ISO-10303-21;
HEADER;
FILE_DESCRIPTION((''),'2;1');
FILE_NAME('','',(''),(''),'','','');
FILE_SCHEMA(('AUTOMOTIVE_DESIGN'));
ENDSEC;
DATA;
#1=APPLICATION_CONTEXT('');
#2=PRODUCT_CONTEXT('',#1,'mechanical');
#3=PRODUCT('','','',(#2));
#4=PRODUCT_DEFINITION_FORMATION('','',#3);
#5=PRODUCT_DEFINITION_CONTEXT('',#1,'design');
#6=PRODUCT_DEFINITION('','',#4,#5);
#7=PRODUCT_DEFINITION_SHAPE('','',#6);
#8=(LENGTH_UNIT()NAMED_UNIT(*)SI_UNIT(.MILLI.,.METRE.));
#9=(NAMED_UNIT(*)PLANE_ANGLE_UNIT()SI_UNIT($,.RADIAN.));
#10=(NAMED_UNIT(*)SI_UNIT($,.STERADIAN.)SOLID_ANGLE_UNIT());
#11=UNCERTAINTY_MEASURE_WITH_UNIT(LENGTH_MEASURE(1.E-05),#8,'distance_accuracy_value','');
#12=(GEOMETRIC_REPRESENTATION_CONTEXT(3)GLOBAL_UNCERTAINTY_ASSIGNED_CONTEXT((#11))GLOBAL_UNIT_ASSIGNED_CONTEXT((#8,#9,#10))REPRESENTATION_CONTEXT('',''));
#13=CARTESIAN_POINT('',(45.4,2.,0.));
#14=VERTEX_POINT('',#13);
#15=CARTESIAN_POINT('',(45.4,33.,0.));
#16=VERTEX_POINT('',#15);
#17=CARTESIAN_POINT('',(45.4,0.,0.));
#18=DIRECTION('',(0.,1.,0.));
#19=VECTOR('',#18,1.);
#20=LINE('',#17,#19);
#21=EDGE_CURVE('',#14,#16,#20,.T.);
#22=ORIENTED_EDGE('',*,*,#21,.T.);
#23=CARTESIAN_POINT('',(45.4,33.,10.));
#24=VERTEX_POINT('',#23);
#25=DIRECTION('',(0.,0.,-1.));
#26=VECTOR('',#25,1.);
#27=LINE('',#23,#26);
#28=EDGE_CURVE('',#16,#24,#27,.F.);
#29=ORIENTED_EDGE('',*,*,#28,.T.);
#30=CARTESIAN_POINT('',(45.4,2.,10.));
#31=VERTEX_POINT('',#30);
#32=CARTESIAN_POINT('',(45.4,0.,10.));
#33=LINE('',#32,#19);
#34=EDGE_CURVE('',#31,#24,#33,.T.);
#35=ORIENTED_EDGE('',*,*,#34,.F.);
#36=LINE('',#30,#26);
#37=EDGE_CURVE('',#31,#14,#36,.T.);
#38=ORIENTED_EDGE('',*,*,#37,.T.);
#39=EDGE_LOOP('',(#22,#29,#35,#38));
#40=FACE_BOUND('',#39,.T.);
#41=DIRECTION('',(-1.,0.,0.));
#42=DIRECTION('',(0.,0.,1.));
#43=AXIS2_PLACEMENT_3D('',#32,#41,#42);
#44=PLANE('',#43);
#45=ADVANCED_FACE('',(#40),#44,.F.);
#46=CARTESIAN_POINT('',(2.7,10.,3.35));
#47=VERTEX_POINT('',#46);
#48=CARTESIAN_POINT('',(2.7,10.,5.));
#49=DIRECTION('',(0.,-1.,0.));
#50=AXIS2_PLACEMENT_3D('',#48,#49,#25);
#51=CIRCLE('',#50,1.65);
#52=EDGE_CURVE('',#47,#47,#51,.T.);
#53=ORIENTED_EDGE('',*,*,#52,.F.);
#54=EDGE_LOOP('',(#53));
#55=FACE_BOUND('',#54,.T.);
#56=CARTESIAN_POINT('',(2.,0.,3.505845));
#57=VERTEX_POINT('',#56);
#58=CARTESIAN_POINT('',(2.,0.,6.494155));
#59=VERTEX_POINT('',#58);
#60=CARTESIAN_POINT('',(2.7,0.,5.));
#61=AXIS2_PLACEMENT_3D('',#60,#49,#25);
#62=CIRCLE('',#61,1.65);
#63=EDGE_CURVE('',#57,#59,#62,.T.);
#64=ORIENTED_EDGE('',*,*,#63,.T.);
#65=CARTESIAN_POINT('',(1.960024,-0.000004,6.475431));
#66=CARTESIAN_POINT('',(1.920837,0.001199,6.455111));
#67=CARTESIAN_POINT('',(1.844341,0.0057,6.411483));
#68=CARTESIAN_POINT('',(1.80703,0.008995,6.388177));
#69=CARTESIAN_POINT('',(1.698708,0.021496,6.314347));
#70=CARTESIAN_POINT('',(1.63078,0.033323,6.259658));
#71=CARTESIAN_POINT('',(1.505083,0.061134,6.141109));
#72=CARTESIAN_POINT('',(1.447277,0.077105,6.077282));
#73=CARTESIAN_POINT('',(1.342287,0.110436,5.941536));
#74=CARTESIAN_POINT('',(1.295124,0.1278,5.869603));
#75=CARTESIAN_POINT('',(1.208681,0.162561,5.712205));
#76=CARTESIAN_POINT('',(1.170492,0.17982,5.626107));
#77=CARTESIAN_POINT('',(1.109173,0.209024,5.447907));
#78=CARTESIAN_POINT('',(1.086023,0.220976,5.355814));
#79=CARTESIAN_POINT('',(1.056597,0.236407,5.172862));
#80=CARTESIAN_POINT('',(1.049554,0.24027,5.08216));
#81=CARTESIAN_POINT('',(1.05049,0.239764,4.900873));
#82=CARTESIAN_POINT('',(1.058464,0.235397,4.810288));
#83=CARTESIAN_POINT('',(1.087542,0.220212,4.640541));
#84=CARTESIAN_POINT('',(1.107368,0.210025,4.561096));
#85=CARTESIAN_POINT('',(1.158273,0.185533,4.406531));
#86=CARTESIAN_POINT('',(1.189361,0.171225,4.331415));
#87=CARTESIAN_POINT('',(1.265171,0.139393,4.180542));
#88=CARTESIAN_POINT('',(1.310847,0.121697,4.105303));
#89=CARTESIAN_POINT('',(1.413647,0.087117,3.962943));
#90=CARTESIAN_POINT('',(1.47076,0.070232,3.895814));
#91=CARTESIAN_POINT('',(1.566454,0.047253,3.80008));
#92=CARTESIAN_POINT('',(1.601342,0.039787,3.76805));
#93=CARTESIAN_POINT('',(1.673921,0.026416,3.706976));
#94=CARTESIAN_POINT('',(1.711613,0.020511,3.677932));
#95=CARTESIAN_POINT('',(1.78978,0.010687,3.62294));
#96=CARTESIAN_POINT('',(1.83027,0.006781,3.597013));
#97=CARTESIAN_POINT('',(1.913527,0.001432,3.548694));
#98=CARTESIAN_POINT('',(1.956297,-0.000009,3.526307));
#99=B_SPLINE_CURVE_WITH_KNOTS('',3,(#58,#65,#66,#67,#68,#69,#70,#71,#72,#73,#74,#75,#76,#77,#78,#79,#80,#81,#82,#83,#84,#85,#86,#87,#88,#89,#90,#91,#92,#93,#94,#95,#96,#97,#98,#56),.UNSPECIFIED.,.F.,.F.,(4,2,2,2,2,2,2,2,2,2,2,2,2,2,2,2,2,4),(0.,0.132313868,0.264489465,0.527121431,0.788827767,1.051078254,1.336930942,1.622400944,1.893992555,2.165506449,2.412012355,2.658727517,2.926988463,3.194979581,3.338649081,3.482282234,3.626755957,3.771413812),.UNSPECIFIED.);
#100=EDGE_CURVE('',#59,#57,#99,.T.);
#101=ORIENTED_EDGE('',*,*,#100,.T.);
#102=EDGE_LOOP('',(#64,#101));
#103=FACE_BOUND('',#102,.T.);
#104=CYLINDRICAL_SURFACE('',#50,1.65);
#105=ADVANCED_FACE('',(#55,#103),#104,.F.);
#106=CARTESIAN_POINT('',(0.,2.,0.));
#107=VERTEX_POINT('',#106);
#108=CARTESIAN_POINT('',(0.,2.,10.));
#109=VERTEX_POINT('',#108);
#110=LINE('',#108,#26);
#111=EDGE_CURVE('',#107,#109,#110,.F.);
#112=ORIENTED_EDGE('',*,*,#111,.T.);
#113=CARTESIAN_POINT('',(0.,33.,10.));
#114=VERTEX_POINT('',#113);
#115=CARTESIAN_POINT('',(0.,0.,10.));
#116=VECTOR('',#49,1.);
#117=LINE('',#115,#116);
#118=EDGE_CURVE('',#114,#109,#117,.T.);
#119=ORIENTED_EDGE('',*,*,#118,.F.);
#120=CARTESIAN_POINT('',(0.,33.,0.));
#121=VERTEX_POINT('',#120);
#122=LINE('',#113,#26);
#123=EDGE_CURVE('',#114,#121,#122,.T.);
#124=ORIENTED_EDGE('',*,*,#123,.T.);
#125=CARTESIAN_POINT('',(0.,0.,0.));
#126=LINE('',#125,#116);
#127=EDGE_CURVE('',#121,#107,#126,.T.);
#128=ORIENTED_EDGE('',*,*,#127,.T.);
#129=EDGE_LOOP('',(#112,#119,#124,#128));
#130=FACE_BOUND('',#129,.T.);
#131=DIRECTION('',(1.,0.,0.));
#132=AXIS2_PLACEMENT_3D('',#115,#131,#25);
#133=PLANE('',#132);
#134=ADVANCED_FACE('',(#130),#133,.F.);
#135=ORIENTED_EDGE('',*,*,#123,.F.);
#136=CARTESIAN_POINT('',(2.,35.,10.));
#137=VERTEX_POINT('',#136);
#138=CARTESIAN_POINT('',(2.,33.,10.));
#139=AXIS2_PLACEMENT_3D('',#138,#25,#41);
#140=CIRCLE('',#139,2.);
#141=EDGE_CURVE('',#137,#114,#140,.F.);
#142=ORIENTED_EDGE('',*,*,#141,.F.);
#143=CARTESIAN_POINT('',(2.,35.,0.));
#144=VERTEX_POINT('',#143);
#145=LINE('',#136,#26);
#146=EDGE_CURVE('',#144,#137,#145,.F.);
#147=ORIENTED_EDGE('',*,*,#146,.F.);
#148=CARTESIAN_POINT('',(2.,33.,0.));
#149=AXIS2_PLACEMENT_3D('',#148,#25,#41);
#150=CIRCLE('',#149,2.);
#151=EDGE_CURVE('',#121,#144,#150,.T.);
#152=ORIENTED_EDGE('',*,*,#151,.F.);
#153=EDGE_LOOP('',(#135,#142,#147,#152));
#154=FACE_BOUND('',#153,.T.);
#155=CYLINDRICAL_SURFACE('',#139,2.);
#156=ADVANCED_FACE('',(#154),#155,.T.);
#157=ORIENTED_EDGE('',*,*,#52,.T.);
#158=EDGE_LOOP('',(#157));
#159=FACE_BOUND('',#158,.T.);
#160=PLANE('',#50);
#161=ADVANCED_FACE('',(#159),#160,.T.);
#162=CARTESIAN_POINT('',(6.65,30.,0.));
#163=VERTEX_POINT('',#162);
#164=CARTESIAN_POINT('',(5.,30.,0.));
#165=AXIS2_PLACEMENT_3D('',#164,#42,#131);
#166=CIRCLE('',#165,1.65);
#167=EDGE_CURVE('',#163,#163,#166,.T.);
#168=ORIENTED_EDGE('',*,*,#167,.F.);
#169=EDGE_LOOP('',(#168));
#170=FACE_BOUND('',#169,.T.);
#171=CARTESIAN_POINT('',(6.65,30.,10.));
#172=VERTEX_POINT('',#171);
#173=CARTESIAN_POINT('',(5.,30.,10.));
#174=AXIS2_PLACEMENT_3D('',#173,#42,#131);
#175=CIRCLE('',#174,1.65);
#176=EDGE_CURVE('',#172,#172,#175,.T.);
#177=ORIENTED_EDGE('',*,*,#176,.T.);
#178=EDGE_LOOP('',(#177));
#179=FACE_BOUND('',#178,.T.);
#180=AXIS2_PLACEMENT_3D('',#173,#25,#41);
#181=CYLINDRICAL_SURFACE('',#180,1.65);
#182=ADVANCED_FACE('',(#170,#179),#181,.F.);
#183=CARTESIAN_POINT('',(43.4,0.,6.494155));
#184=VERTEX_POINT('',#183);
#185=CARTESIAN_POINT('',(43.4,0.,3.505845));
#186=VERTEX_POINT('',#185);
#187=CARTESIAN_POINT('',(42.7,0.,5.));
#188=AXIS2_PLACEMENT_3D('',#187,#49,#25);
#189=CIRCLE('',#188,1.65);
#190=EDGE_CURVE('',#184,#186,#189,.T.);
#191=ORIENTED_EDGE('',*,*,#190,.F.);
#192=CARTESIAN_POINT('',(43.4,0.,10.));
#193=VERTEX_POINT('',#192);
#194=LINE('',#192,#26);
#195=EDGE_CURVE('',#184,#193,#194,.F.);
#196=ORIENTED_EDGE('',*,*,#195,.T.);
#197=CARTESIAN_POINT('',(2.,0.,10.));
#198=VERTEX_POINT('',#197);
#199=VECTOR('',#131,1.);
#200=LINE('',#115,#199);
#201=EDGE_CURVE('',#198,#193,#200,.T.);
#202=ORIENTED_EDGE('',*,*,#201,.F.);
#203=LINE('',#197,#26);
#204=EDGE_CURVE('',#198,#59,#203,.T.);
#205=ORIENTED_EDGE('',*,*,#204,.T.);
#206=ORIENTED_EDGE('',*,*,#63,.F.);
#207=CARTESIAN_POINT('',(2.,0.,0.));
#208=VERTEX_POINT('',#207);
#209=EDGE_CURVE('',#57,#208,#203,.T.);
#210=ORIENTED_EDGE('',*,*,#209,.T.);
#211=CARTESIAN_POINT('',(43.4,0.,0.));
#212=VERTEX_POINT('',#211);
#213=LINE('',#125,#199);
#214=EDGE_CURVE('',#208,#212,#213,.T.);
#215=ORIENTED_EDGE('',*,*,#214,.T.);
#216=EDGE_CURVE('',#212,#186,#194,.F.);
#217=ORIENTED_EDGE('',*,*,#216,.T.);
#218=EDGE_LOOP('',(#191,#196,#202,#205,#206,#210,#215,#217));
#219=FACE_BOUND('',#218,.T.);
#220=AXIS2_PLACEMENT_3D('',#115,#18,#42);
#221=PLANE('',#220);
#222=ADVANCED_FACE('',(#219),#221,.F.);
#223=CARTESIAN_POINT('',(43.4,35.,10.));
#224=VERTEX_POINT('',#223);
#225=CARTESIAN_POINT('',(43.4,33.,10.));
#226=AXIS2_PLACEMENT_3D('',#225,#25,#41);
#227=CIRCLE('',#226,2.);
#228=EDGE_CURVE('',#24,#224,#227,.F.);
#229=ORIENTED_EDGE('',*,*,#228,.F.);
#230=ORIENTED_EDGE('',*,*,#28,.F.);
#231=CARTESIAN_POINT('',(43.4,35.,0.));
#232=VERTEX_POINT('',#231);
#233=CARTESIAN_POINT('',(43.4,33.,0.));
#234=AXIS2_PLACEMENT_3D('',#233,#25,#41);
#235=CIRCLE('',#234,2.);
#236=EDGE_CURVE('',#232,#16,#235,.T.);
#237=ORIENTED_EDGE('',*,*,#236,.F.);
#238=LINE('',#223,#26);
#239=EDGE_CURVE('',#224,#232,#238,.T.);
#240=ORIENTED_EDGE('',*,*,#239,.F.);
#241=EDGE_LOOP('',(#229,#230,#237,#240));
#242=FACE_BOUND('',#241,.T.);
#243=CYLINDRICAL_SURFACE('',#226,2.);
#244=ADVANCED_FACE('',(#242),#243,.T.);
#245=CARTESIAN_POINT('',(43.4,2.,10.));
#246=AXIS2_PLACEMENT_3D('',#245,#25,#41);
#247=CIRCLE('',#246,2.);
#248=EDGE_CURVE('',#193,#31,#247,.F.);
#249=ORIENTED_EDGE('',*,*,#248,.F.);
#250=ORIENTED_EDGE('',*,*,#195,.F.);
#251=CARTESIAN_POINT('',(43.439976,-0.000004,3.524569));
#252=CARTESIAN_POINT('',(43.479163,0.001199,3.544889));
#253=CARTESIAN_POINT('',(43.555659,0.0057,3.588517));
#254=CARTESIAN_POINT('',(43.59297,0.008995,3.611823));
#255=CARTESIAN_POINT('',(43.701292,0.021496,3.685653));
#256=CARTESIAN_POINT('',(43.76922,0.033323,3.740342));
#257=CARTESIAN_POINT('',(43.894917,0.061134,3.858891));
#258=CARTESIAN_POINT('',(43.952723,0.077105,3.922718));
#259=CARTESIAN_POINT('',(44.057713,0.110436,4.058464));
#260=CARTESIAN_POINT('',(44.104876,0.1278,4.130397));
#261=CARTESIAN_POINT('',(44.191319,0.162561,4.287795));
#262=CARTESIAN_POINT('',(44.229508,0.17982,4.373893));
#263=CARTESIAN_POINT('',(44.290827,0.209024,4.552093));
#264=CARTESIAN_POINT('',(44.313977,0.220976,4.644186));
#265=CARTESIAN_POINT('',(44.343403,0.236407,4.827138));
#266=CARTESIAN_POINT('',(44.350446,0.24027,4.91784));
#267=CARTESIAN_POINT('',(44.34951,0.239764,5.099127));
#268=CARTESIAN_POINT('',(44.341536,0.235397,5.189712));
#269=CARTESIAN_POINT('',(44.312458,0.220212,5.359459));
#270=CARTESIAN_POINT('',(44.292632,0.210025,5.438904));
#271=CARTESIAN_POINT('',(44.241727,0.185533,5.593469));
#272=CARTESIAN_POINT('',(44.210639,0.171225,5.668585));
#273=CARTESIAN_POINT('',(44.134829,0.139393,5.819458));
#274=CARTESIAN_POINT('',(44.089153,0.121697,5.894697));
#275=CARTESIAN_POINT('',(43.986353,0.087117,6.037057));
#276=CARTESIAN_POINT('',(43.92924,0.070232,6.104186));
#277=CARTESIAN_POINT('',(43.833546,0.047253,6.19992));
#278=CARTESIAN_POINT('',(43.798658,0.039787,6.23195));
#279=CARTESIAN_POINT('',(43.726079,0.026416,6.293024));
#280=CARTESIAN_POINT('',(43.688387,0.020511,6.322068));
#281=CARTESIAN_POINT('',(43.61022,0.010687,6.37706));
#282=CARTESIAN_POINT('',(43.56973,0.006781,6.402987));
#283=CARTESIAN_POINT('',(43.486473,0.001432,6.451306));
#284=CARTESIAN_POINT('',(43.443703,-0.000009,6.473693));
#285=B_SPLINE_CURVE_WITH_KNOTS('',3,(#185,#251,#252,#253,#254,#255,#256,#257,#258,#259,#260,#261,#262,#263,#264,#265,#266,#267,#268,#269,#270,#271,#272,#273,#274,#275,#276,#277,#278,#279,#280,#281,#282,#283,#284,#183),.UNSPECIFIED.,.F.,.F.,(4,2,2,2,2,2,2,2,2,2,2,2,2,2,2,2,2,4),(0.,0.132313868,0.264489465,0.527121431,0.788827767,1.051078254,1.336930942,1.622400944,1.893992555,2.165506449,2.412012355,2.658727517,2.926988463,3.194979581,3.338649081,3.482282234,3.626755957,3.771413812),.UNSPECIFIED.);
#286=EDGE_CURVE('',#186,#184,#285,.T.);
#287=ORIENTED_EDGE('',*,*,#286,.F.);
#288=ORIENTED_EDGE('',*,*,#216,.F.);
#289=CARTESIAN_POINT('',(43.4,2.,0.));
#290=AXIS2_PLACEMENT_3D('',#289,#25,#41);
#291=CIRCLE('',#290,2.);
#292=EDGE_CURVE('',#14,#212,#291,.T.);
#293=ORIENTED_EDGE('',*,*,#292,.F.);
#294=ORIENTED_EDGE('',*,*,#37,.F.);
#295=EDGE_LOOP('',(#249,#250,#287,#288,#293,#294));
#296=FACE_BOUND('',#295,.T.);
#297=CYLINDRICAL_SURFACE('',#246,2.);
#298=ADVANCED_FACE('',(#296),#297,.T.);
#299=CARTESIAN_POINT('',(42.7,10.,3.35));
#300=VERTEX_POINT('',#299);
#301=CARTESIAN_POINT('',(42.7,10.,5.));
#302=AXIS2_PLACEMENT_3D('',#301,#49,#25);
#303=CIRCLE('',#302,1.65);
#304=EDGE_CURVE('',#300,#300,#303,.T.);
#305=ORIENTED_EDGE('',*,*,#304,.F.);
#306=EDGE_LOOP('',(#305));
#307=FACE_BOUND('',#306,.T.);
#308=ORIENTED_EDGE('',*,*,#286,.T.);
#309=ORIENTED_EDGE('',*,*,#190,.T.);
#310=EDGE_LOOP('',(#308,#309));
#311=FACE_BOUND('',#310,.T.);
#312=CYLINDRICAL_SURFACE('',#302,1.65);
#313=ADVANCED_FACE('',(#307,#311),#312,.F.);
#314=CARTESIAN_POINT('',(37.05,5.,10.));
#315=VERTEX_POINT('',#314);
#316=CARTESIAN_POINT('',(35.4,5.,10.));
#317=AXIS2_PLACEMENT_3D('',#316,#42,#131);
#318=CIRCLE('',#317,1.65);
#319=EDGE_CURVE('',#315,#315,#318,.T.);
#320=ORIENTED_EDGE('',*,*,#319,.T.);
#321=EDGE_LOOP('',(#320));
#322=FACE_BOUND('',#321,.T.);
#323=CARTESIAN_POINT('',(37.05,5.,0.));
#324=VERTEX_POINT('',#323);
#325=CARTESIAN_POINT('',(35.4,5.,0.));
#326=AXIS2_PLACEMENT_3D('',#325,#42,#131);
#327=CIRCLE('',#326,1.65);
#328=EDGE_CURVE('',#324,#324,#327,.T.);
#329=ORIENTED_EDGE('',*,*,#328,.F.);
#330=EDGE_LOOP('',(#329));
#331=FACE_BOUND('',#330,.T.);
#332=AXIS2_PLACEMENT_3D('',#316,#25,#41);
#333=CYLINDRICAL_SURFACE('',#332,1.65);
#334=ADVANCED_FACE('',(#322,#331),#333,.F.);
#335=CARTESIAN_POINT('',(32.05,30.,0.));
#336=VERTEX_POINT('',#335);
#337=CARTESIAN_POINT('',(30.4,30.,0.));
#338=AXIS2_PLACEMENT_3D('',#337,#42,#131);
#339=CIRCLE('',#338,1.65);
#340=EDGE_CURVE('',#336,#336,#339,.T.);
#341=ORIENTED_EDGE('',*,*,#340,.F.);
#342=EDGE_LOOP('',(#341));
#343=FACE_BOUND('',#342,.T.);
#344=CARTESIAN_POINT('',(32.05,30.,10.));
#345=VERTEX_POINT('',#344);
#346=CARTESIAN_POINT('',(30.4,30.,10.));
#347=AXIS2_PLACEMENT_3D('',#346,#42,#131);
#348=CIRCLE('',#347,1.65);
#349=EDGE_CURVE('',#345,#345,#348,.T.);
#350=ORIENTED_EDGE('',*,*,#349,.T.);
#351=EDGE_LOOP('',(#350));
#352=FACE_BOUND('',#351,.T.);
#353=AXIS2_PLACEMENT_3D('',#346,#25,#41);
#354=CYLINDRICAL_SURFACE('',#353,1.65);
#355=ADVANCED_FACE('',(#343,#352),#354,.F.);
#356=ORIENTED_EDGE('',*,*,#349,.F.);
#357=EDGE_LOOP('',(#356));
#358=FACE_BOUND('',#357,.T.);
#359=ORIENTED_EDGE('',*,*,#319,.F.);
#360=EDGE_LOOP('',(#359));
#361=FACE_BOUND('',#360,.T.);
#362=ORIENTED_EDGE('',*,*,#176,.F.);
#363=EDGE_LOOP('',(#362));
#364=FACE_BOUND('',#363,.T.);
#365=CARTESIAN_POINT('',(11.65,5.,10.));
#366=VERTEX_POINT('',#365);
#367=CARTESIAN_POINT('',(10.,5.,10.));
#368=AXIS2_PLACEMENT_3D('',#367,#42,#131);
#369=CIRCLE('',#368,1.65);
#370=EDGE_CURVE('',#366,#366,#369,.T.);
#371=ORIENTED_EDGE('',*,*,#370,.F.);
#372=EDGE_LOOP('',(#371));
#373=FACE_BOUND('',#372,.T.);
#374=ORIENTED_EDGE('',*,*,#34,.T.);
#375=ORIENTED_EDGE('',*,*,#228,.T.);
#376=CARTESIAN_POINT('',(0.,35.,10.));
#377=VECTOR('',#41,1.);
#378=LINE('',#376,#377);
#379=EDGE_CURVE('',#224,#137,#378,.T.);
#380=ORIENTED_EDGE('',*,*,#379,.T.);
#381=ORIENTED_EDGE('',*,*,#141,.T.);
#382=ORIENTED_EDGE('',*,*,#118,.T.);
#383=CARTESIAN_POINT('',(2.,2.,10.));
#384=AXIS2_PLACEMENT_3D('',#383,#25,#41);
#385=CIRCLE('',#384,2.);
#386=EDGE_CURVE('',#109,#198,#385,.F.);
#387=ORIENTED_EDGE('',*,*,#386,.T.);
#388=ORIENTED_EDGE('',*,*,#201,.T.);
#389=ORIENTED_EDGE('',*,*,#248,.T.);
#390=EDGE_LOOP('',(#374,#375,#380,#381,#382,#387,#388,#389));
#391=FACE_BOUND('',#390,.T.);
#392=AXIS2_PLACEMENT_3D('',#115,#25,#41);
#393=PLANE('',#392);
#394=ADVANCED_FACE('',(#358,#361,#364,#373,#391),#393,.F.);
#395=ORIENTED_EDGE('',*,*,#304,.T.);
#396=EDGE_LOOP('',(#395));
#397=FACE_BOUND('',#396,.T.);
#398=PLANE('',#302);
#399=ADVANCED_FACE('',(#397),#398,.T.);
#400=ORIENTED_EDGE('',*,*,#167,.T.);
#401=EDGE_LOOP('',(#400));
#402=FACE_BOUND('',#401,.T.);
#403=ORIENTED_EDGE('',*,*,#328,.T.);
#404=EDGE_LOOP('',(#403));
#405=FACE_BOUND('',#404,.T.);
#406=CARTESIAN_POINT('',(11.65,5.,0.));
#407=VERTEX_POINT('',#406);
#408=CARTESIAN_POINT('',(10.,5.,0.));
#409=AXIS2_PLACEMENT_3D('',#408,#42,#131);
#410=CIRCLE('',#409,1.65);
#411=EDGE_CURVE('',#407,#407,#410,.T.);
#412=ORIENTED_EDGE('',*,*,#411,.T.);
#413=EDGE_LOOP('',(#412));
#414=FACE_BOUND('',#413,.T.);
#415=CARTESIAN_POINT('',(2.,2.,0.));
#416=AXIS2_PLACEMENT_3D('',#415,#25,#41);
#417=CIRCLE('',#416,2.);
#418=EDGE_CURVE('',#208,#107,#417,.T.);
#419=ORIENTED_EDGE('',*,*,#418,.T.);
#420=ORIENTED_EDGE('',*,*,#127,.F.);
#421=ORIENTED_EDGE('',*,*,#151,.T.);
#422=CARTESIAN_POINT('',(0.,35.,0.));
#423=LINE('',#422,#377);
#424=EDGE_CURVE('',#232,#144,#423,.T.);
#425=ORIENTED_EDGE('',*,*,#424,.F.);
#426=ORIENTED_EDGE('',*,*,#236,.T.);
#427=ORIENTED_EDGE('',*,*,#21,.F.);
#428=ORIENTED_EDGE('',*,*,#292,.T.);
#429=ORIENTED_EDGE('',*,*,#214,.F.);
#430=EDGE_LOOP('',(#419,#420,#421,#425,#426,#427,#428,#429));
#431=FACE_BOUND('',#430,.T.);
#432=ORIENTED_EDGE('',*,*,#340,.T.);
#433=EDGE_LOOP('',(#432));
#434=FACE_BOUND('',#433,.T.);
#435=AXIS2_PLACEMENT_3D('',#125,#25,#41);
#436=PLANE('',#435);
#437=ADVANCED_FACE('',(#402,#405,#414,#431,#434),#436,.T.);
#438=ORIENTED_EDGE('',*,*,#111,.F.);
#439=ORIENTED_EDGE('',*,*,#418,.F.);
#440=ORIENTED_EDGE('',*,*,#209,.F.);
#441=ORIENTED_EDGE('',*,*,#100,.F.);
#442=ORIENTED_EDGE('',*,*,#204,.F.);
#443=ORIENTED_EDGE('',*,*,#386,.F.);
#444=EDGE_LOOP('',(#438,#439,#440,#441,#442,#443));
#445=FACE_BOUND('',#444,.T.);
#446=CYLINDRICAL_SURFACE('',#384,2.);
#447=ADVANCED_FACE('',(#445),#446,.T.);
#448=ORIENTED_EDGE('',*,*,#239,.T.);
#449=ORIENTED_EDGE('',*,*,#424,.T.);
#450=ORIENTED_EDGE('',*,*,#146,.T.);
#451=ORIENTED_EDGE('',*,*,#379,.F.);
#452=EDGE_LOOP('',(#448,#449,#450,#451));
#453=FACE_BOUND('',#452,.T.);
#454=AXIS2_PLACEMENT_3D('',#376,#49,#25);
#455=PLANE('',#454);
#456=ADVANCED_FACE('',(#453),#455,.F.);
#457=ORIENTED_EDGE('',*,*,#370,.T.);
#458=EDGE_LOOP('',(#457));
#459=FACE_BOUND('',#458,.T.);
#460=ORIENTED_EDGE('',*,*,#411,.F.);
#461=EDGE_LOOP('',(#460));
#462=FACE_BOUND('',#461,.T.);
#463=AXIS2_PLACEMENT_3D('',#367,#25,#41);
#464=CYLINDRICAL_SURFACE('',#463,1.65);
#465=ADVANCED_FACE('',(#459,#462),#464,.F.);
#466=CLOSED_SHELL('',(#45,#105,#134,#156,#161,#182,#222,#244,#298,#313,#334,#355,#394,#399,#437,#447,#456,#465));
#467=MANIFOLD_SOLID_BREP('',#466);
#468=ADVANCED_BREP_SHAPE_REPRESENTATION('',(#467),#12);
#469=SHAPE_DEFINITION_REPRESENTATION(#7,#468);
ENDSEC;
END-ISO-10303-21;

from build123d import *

# Parameters (mm, degrees)
SKETCH_1_W          = 45.4
SKETCH_1_H          = 35
SKETCH_1_R          = 1.65
EXTRUDE_1_DEPTH     = 10
FILLET_1_R          = 2
SKETCH_2_R          = 1.65
CUT_EXTRUDE_1_DEPTH = 10


with BuildPart() as part:
    # ｽｹｯﾁ1 → ﾎﾞｽ - 押し出し1 (new body)
    with BuildSketch(Plane.XY):
        with Locations((22.7, 17.5)):
            Rectangle(SKETCH_1_W, SKETCH_1_H)
        with Locations((10, 5)):
            Circle(SKETCH_1_R, mode=Mode.SUBTRACT)
        with Locations((35.4, 5)):
            Circle(SKETCH_1_R, mode=Mode.SUBTRACT)
        with Locations((5, 30)):
            Circle(SKETCH_1_R, mode=Mode.SUBTRACT)
        with Locations((30.4, 30)):
            Circle(SKETCH_1_R, mode=Mode.SUBTRACT)
    extrude(amount=EXTRUDE_1_DEPTH)

    # ﾌｨﾚｯﾄ1
    fillet_1_edges = [part.edges().sort_by_distance(p)[0] for p in [
        (0, 35, 5),
        (45.4, 35, 5),
        (45.4, 0, 5),
        (0, 0, 5),
    ]]
    fillet(fillet_1_edges, radius=FILLET_1_R)

    # ｽｹｯﾁ2 → ｶｯﾄ - 押し出し1 (cut)
    with BuildSketch(Plane.XZ):
        with Locations(Location((2.7, 5, 0), (0, 0, 270))):
            Circle(SKETCH_2_R)
        with Locations(Location((42.7, 5, 0), (0, 0, 270))):
            Circle(SKETCH_2_R)
    extrude(amount=-CUT_EXTRUDE_1_DEPTH, mode=Mode.SUBTRACT)


solid = part.part
